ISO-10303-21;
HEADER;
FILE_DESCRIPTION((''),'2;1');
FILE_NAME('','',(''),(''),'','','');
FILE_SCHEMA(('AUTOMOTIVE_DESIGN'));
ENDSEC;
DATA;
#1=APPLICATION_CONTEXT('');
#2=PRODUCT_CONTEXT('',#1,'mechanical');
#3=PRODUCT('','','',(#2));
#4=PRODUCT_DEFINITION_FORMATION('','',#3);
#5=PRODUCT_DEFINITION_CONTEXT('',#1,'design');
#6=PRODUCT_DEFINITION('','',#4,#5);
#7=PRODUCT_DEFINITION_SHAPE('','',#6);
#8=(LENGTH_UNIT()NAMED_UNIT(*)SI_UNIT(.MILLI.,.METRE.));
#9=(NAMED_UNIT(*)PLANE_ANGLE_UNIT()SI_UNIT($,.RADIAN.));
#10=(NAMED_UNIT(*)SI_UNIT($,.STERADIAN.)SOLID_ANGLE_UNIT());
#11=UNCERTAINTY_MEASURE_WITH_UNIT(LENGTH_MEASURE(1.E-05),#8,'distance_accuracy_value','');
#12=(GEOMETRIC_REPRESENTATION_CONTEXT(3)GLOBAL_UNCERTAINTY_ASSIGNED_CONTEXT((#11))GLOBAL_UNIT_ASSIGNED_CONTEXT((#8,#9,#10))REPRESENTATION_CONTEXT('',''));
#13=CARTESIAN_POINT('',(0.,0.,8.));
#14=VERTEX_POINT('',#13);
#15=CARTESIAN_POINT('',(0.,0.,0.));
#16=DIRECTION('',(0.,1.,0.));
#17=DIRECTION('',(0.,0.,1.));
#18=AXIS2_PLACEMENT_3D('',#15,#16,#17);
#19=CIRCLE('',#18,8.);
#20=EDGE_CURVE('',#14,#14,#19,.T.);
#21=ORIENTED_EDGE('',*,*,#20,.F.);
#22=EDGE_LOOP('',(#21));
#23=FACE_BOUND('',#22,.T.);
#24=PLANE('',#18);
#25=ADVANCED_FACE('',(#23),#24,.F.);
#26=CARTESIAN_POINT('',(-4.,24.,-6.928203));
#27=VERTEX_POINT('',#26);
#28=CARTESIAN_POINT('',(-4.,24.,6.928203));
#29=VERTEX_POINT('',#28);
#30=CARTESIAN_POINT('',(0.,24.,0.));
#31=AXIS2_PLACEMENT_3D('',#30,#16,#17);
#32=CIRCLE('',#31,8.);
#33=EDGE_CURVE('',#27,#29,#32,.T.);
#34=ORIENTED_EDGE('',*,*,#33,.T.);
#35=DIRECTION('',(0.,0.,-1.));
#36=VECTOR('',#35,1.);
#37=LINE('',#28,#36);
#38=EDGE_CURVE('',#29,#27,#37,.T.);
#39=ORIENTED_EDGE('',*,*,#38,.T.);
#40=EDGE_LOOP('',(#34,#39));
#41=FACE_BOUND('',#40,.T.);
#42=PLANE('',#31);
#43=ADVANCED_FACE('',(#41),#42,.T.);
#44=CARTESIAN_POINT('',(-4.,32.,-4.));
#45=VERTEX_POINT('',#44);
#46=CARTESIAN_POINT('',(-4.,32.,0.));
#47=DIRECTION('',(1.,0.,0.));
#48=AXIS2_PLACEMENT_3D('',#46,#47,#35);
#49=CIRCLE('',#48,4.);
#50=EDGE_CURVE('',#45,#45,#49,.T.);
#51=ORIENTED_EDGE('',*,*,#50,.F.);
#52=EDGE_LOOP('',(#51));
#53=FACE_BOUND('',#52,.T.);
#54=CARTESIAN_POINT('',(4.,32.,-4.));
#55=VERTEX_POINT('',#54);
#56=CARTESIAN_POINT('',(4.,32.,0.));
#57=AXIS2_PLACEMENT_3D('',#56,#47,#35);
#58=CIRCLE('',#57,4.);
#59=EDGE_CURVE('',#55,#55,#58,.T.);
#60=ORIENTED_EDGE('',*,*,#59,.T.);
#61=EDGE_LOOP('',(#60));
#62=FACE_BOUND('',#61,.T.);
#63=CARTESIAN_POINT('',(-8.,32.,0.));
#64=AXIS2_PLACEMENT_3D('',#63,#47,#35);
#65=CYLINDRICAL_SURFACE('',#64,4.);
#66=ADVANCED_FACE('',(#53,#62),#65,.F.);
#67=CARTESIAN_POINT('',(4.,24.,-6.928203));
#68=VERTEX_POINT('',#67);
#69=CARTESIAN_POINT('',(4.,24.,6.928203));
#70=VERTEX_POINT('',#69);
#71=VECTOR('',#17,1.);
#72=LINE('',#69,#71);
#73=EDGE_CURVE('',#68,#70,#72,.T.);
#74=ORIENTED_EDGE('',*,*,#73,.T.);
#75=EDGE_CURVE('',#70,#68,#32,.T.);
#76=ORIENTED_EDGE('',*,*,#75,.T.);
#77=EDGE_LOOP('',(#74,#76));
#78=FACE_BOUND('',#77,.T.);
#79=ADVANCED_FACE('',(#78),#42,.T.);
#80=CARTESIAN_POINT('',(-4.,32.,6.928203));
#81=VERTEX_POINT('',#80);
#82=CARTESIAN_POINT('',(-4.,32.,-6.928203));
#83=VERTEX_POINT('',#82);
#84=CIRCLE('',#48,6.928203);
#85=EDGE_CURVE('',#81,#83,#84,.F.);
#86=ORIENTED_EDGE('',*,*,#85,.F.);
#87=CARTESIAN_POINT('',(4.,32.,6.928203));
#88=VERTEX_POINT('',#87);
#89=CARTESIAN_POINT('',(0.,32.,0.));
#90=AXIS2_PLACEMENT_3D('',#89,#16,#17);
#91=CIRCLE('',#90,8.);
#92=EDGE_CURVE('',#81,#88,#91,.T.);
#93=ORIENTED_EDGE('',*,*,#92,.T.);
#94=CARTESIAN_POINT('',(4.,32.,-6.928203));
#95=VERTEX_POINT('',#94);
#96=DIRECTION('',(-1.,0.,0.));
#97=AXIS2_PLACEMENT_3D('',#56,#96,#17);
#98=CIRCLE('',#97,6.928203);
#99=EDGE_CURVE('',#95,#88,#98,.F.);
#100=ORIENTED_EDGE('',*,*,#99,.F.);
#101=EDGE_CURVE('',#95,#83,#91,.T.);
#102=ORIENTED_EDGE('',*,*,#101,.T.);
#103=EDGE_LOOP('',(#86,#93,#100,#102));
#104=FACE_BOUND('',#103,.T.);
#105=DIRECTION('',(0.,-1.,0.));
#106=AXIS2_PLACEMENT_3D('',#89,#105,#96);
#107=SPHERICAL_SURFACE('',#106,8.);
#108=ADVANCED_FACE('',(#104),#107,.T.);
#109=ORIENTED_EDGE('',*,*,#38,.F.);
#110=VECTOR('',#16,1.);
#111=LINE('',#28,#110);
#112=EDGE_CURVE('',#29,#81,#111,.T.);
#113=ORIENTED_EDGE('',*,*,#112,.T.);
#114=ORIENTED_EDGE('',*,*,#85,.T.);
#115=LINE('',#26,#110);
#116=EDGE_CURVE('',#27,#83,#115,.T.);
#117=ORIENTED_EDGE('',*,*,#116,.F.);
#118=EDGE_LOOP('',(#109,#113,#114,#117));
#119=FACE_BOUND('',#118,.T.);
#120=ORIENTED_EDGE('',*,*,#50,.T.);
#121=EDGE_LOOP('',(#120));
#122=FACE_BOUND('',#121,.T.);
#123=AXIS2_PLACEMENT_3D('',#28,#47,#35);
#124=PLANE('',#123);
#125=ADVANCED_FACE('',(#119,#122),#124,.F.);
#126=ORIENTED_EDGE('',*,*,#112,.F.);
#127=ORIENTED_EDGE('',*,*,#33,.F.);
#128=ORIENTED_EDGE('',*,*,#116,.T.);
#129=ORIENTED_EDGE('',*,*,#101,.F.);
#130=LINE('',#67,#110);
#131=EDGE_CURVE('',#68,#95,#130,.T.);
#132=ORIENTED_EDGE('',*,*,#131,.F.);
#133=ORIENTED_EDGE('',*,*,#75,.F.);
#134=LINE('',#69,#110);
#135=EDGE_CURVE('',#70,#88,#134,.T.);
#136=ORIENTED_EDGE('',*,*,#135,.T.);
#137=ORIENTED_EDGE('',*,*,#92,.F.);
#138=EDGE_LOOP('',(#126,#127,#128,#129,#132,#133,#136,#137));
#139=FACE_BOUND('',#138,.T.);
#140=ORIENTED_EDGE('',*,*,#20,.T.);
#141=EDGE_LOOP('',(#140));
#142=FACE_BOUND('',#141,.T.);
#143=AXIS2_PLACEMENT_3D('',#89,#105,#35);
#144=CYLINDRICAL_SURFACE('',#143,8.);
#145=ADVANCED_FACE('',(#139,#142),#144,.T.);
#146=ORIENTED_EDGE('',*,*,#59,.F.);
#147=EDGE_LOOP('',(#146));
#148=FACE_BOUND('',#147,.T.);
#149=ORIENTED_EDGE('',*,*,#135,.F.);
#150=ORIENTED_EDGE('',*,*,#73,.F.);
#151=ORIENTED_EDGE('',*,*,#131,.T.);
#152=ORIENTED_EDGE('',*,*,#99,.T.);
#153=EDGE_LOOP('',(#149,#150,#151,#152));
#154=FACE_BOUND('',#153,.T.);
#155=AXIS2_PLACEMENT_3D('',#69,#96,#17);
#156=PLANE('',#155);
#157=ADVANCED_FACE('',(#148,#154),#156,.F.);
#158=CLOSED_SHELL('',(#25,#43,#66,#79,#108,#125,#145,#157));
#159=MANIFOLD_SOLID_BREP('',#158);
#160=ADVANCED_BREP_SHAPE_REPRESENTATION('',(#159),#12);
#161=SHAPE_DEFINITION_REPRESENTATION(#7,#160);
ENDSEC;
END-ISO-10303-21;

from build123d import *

# Parameters (mm, degrees)
SKETCH_1_R          = 8
EXTRUDE_1_DEPTH     = 32
CUT_EXTRUDE_START   = -16
CUT_EXTRUDE_1_DEPTH = 16
SKETCH_6_R          = 4
CUT_EXTRUDE_2_DEPTH = 43.520583251


with BuildPart() as part:
    # 草图1 → 凸台-拉伸1 (new body)
    with BuildSketch(Plane(origin=(0, 0, 0), x_dir=(1, 0, 0), z_dir=(0, 1, 0))):
        with Locations(Location((0, 0, 0), (0, 0, 270))):
            Circle(SKETCH_1_R)
    extrude(amount=EXTRUDE_1_DEPTH)

    # 草图3 one side → 旋转4 (revolve)
    with BuildSketch(Plane.XY):
        with BuildLine():
            Line((0, 24), (0, 40))
            ThreePointArc((0, 40), (-8, 32), (0, 24))
        make_face()
    revolve(axis=Axis((0, 32, 0), (0, 1, 0)))

    # 草图5 → 切除-拉伸1 (cut)
    with BuildSketch(Plane(origin=(0, 40, 0), x_dir=(1, 0, 0), z_dir=(0, 1, 0)).offset(CUT_EXTRUDE_START)):
        with BuildLine():
            Line((4, -6.92820323), (4, 6.92820323))
            ThreePointArc((4, 6.92820323), (8, 0), (4, -6.92820323))
        make_face()
        with BuildLine():
            Line((-4, -6.92820323), (-4, 6.92820323))
            ThreePointArc((-4, 6.92820323), (-8, 0), (-4, -6.92820323))
        make_face()
    extrude(amount=CUT_EXTRUDE_1_DEPTH, mode=Mode.SUBTRACT)

    # 草图6 → 切除-拉伸2 (cut, through all)
    with BuildSketch(Plane(origin=(4, 0, 0), x_dir=(0, 0, -1), z_dir=(1, 0, 0))):
        with Locations((0, 32)):
            Circle(SKETCH_6_R)
    extrude(amount=-CUT_EXTRUDE_2_DEPTH, mode=Mode.SUBTRACT)


solid = part.part
